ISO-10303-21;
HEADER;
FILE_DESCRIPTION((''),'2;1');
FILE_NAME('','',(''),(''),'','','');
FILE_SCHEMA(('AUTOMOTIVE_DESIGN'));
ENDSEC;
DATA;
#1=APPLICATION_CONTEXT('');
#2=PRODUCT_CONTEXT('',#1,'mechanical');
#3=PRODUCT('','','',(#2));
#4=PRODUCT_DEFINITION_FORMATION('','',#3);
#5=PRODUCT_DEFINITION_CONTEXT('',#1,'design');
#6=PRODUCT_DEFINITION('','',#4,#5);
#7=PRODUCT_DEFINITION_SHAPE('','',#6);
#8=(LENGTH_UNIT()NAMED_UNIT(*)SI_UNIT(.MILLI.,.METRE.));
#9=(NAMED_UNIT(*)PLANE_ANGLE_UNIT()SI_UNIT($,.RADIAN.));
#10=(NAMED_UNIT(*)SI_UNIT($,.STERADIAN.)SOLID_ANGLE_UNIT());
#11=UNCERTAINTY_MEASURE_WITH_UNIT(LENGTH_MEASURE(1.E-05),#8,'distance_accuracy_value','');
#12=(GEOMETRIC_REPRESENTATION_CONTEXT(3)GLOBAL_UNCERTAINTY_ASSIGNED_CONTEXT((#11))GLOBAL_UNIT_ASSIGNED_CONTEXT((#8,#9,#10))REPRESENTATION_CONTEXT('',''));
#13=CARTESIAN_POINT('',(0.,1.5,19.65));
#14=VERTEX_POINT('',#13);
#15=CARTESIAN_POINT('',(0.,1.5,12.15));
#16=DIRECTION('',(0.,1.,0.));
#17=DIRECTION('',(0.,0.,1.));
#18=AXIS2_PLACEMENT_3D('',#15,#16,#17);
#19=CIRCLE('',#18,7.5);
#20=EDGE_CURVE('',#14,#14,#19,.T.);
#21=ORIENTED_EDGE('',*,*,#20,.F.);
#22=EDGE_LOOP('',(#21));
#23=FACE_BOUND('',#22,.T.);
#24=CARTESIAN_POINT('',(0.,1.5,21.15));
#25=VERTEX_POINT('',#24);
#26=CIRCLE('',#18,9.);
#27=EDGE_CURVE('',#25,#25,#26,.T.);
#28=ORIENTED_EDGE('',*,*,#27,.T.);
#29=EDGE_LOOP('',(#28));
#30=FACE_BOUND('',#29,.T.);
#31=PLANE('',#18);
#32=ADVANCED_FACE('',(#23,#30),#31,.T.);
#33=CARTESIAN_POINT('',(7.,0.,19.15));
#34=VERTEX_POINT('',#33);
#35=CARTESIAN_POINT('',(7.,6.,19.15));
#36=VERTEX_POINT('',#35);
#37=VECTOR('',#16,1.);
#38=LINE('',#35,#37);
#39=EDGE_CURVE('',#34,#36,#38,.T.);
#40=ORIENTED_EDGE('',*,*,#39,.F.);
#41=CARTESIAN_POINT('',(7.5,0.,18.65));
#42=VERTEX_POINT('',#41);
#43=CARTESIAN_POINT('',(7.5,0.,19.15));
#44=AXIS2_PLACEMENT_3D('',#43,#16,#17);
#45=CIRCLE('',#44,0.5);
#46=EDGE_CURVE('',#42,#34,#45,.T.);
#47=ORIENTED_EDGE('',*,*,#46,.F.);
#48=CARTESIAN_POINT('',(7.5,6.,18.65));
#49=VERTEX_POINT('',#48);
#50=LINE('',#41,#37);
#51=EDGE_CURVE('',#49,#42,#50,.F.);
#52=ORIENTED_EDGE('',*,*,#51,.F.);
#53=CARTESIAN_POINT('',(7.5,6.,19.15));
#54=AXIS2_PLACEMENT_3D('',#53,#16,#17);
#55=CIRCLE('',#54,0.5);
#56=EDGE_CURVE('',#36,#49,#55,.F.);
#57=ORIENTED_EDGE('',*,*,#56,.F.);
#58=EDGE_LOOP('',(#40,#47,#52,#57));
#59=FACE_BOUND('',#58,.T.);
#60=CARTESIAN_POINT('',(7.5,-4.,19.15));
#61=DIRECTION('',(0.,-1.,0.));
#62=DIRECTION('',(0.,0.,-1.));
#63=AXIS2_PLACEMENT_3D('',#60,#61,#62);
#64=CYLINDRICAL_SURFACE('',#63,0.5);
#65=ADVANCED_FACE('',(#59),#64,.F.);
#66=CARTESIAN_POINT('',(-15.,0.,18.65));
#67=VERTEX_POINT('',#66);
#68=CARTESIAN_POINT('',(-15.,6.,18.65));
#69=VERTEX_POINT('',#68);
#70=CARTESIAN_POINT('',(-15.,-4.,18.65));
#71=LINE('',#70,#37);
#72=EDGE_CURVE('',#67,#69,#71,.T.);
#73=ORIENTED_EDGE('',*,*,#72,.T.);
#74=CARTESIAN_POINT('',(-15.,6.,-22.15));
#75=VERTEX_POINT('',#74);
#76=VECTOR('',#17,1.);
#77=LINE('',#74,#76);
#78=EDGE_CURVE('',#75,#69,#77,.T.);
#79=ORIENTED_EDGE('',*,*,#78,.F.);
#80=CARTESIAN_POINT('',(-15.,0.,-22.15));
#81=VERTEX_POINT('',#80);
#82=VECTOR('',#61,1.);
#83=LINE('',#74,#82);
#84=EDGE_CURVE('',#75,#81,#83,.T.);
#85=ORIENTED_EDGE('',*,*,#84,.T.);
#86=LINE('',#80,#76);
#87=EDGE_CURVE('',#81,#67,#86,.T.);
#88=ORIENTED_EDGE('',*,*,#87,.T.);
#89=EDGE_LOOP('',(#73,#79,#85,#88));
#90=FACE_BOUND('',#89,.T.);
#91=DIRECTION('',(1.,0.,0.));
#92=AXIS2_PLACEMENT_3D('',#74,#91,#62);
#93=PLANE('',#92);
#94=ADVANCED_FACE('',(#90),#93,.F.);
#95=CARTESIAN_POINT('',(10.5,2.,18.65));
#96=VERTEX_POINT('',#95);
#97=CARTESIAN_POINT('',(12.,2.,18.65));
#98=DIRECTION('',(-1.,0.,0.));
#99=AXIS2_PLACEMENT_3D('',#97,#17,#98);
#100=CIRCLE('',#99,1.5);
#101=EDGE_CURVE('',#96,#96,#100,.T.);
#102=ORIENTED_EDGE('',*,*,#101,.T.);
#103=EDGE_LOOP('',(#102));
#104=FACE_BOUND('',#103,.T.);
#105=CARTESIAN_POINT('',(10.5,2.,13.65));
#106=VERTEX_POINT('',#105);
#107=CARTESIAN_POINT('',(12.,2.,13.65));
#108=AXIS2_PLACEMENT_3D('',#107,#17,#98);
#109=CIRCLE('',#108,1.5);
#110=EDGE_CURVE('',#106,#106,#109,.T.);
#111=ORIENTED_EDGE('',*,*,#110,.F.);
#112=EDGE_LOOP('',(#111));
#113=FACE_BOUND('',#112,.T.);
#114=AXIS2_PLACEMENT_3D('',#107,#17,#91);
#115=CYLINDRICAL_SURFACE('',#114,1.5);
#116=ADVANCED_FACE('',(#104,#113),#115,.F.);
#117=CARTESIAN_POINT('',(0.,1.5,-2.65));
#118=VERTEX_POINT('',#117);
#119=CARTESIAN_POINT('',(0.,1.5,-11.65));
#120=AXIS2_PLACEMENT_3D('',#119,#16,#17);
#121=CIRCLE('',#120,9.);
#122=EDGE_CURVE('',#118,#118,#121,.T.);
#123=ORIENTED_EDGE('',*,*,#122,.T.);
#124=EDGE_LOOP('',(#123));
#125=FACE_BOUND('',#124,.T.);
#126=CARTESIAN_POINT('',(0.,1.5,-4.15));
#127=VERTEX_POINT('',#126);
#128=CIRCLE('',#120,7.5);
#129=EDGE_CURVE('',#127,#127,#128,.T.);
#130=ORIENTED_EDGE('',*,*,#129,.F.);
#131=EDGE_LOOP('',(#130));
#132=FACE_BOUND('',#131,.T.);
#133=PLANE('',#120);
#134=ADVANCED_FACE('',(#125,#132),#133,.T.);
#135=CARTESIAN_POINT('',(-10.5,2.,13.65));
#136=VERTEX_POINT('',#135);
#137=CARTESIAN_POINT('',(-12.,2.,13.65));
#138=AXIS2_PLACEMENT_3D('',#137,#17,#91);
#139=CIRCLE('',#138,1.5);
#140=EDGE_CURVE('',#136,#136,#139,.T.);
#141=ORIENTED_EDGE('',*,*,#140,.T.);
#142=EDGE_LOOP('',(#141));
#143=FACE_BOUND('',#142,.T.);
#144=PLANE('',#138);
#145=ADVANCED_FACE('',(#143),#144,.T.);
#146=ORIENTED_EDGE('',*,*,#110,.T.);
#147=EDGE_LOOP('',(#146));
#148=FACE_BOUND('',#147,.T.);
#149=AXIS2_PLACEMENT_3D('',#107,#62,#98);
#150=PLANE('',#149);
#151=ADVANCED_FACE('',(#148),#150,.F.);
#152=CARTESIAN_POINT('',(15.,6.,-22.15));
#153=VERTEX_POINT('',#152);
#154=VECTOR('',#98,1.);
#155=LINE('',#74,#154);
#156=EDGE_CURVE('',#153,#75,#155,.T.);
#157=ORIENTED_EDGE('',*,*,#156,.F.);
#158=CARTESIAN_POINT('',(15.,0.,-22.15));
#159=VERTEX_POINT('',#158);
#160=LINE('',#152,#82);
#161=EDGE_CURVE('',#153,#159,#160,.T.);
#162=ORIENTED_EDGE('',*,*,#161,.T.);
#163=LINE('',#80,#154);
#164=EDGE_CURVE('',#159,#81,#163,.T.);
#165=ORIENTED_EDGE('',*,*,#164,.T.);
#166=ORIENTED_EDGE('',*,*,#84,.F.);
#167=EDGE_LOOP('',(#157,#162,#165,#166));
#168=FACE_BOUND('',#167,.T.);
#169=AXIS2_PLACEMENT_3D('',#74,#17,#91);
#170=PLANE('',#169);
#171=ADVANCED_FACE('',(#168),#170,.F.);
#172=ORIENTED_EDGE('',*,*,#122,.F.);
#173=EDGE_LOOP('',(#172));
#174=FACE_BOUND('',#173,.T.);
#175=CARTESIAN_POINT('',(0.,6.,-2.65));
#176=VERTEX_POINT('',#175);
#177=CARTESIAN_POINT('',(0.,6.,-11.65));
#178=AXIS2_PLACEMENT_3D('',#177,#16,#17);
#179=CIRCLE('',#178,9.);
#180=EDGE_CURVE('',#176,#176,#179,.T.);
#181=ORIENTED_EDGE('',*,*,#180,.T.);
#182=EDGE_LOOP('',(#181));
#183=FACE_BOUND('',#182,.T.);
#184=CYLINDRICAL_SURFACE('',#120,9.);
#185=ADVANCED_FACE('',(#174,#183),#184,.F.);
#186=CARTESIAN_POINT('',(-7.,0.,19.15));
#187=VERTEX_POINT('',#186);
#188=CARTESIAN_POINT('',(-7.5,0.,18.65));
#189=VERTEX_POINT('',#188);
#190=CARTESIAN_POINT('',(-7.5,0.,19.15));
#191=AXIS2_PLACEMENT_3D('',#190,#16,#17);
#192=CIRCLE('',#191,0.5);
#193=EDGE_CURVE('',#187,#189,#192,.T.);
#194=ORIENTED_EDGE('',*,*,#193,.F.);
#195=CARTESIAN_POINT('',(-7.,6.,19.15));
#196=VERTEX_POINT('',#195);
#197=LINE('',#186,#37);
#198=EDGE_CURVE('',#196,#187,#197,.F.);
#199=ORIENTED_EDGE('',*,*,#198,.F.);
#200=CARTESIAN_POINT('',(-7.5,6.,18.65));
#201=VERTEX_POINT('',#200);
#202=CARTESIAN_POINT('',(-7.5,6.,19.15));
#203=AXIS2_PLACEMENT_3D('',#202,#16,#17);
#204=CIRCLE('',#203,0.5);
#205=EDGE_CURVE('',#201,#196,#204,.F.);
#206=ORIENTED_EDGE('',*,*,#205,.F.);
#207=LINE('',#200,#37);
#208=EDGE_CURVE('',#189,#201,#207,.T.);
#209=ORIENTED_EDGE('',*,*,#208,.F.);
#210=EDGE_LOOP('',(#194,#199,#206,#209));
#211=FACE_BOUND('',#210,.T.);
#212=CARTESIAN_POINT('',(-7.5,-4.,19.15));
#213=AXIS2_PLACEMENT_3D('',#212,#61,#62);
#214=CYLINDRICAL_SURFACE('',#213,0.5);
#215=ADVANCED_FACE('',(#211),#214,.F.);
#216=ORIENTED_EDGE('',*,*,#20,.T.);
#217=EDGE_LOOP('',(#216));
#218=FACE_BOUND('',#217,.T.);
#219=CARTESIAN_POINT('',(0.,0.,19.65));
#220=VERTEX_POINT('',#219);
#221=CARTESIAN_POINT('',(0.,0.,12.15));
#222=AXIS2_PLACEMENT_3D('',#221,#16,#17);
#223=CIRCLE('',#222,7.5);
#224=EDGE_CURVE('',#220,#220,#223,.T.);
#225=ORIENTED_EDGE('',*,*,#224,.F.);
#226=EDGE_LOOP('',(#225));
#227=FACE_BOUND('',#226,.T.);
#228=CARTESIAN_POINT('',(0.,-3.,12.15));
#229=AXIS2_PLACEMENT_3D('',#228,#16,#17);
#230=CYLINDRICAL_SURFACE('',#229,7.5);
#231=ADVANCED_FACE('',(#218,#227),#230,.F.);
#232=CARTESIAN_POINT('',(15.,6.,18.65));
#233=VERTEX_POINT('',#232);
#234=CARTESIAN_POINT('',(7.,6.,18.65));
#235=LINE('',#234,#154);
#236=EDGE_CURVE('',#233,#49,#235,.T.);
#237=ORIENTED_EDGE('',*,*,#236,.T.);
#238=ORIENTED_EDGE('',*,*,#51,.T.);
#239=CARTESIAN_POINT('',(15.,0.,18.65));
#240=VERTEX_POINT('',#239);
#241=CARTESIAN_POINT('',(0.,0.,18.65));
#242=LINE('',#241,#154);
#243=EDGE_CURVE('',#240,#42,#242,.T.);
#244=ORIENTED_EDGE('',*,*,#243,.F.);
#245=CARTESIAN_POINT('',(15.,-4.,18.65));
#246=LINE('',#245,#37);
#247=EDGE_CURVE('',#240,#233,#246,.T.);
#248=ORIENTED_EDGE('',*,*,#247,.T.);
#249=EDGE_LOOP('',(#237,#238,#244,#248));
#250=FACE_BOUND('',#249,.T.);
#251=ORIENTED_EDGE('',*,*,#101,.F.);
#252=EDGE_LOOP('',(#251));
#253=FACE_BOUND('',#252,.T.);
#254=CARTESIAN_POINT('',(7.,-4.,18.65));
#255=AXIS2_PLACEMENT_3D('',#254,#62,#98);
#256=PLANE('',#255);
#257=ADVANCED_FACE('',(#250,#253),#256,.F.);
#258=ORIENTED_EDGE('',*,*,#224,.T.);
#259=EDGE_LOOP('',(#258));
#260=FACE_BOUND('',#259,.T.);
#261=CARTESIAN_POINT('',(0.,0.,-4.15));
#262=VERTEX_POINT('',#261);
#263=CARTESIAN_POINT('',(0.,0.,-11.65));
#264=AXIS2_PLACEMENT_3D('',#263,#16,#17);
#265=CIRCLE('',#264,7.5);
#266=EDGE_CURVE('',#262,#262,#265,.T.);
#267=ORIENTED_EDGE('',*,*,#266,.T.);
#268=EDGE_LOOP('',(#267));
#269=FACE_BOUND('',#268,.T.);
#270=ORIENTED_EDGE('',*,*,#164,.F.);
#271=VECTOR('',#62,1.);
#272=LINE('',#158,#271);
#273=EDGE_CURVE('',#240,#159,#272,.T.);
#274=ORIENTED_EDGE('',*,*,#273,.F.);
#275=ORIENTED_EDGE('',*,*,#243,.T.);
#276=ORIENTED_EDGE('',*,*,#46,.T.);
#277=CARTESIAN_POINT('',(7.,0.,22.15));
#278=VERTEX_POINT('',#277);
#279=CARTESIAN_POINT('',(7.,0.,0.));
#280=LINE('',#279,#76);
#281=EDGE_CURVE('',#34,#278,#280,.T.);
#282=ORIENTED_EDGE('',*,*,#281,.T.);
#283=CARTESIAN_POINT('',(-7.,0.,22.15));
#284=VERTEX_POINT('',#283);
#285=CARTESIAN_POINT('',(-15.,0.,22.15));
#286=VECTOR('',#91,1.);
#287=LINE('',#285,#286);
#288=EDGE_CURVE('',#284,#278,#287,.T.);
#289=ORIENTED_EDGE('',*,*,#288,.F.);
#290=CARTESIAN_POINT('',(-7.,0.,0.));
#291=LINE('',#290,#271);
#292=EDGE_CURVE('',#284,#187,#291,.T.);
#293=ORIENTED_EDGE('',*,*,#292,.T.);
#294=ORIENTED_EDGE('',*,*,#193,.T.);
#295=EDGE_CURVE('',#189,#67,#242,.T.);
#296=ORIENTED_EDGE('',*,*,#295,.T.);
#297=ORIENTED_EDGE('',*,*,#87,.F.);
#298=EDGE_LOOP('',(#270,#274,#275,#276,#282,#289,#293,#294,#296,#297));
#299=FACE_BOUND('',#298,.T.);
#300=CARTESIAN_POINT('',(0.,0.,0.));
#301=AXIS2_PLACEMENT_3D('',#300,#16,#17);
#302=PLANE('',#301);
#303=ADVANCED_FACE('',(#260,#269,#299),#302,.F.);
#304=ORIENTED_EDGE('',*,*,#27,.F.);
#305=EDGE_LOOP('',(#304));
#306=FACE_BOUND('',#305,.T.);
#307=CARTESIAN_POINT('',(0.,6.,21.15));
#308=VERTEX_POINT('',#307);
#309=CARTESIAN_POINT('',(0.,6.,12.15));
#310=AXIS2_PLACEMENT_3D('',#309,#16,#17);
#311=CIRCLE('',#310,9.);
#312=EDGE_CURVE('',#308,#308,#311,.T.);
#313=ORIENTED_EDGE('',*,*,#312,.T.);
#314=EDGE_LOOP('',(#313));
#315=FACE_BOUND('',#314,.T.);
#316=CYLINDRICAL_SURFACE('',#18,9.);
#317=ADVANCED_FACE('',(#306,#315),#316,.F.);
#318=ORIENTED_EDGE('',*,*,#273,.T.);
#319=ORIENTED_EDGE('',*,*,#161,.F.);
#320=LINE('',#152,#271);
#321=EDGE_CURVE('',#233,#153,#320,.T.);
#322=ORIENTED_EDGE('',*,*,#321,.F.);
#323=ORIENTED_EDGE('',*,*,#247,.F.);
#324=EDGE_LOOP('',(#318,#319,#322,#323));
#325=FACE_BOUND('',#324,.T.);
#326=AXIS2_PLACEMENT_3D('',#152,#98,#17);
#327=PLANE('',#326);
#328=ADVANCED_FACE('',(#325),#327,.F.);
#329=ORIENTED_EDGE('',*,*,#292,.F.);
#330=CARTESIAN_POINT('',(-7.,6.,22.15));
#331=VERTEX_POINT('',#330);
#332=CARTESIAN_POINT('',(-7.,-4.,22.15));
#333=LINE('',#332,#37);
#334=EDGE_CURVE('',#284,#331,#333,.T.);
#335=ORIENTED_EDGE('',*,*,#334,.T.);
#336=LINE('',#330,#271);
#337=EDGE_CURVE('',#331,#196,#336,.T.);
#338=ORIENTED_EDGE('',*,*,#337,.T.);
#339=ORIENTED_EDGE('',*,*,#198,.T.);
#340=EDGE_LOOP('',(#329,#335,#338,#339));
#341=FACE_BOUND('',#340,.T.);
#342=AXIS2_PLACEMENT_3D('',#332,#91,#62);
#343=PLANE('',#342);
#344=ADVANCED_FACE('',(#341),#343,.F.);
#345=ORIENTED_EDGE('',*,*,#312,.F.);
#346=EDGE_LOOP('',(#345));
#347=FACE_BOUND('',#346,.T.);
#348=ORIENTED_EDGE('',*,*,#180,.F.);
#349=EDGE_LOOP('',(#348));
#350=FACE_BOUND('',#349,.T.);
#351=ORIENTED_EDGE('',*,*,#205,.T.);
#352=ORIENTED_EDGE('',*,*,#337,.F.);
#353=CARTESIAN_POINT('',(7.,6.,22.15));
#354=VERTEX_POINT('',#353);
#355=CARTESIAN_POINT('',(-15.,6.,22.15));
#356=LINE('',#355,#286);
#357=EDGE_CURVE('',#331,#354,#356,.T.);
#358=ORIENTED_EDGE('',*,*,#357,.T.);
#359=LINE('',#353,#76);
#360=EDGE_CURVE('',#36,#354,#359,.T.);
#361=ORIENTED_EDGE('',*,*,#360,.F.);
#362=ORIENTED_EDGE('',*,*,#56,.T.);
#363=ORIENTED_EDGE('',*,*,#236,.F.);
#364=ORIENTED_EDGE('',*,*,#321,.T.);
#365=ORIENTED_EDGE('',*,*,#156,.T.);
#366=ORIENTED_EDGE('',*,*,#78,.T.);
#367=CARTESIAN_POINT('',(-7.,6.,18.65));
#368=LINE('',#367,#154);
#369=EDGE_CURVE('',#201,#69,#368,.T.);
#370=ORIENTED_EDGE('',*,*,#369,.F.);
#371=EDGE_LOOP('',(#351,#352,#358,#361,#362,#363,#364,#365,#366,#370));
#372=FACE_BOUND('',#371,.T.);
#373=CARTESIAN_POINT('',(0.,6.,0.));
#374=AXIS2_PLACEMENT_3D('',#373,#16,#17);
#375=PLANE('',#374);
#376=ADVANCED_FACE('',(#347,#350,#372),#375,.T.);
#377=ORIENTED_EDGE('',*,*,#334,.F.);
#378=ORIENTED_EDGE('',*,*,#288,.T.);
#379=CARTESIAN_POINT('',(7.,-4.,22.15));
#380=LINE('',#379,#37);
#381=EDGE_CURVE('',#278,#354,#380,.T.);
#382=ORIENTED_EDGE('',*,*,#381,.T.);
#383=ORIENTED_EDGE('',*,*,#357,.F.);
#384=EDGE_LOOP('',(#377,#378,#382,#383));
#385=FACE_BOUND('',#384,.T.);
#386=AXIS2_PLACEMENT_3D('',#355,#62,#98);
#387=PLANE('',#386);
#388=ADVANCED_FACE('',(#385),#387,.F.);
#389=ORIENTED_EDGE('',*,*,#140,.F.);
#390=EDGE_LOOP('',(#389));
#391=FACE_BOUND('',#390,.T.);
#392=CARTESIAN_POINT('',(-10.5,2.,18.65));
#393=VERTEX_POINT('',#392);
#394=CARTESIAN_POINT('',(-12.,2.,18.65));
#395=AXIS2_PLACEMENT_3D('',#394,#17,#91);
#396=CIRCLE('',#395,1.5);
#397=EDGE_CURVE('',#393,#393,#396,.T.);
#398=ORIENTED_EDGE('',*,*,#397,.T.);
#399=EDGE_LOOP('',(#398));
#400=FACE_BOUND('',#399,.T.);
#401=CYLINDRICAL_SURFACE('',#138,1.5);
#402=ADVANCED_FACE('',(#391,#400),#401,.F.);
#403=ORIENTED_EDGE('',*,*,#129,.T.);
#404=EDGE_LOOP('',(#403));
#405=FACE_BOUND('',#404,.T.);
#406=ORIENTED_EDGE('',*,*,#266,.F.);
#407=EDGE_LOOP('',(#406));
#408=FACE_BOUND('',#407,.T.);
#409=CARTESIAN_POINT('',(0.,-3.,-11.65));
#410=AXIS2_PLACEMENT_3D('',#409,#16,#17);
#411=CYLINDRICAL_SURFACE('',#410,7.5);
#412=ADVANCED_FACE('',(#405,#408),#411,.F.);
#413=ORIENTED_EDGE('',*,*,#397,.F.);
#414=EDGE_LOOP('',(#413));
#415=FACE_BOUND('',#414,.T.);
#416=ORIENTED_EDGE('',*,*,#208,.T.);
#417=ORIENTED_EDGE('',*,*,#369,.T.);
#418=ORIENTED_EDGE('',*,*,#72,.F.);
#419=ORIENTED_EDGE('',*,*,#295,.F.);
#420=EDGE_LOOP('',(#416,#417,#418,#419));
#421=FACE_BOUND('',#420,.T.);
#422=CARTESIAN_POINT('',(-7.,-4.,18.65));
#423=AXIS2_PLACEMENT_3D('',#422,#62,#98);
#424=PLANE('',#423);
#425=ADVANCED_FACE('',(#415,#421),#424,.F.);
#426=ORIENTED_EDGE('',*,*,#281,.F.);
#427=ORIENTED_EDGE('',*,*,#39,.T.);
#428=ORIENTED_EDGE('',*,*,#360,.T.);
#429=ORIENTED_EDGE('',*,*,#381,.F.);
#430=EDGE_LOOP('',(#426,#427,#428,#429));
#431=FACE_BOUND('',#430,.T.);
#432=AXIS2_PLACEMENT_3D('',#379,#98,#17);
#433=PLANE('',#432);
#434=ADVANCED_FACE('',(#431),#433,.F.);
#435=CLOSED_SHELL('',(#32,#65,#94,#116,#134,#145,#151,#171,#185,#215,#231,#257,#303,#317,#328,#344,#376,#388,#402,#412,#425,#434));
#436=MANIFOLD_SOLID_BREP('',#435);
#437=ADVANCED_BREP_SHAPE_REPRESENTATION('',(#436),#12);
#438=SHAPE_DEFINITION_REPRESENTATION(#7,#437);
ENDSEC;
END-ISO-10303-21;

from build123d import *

# Parameters (mm, degrees)
SKETCH_1_W             = 30
SKETCH_1_H             = 44.3
EXTRUDE_1_DEPTH        = 6
SKETCH_2_R             = 9
CUT_EXTRUDE_1_DEPTH    = 4.5
SKETCH_3_R             = 7.5
CUT_EXTRUDE_2_DEPTH    = 4.5
SKETCH_5_W             = 8
SKETCH_5_H             = 3.5
CUT_EXTRUDE_3_DEPTH    = 10
FILLET_1_R             = 0.5
SKETCH_6_R             = 1.5
CUT_EXTRUDE_1251_DEPTH = 5


with BuildPart() as part:
    # 草图1 → 凸台-拉伸1 (new body)
    with BuildSketch(Plane(origin=(0, 0, 0), x_dir=(1, 0, 0), z_dir=(0, 1, 0))):
        Rectangle(SKETCH_1_W, SKETCH_1_H)
    extrude(amount=EXTRUDE_1_DEPTH)

    # 草图2 → 切除-拉伸1 (cut)
    with BuildSketch(Plane(origin=(0, 6, 0), x_dir=(1, 0, 0), z_dir=(0, 1, 0))):
        with Locations(Location((0, 11.65, 0), (0, 0, 270))):
            Circle(SKETCH_2_R)
        with Locations(Location((0, -12.15, 0), (0, 0, 270))):
            Circle(SKETCH_2_R)
    extrude(amount=-CUT_EXTRUDE_1_DEPTH, mode=Mode.SUBTRACT)

    # 草图3 → 切除-拉伸2 (cut)
    with BuildSketch(Plane(origin=(0, 1.5, 0), x_dir=(1, 0, 0), z_dir=(0, 1, 0))):
        with Locations(Location((0, 11.65, 0), (0, 0, 270))):
            Circle(SKETCH_3_R)
        with Locations(Location((0, -12.15, 0), (0, 0, 270))):
            Circle(SKETCH_3_R)
    extrude(amount=-CUT_EXTRUDE_2_DEPTH, mode=Mode.SUBTRACT)

    # 草图5 → 切除-拉伸3 (cut)
    with BuildSketch(Plane(origin=(0, 6, 0), x_dir=(1, 0, 0), z_dir=(0, 1, 0))):
        with Locations((11, -20.4)):
            Rectangle(SKETCH_5_W, SKETCH_5_H)
        with Locations((-11, -20.4)):
            Rectangle(SKETCH_5_W, SKETCH_5_H)
    extrude(amount=-CUT_EXTRUDE_3_DEPTH, mode=Mode.SUBTRACT)

    # 圆角1
    fillet_1_edges = [part.edges().sort_by_distance(p)[0] for p in [
        (-7, 3, 18.65),
        (7, 3, 18.65),
    ]]
    fillet(fillet_1_edges, radius=FILLET_1_R)

    # 草图6 → Cut-Extrude 1251 (cut)
    with BuildSketch(Plane.XY.offset(18.65)):
        with Locations((-12, 2)):
            Circle(SKETCH_6_R)
        with Locations(Location((12, 2, 0), (0, 0, 180))):
            Circle(SKETCH_6_R)
    extrude(amount=-CUT_EXTRUDE_1251_DEPTH, mode=Mode.SUBTRACT)


solid = part.part
